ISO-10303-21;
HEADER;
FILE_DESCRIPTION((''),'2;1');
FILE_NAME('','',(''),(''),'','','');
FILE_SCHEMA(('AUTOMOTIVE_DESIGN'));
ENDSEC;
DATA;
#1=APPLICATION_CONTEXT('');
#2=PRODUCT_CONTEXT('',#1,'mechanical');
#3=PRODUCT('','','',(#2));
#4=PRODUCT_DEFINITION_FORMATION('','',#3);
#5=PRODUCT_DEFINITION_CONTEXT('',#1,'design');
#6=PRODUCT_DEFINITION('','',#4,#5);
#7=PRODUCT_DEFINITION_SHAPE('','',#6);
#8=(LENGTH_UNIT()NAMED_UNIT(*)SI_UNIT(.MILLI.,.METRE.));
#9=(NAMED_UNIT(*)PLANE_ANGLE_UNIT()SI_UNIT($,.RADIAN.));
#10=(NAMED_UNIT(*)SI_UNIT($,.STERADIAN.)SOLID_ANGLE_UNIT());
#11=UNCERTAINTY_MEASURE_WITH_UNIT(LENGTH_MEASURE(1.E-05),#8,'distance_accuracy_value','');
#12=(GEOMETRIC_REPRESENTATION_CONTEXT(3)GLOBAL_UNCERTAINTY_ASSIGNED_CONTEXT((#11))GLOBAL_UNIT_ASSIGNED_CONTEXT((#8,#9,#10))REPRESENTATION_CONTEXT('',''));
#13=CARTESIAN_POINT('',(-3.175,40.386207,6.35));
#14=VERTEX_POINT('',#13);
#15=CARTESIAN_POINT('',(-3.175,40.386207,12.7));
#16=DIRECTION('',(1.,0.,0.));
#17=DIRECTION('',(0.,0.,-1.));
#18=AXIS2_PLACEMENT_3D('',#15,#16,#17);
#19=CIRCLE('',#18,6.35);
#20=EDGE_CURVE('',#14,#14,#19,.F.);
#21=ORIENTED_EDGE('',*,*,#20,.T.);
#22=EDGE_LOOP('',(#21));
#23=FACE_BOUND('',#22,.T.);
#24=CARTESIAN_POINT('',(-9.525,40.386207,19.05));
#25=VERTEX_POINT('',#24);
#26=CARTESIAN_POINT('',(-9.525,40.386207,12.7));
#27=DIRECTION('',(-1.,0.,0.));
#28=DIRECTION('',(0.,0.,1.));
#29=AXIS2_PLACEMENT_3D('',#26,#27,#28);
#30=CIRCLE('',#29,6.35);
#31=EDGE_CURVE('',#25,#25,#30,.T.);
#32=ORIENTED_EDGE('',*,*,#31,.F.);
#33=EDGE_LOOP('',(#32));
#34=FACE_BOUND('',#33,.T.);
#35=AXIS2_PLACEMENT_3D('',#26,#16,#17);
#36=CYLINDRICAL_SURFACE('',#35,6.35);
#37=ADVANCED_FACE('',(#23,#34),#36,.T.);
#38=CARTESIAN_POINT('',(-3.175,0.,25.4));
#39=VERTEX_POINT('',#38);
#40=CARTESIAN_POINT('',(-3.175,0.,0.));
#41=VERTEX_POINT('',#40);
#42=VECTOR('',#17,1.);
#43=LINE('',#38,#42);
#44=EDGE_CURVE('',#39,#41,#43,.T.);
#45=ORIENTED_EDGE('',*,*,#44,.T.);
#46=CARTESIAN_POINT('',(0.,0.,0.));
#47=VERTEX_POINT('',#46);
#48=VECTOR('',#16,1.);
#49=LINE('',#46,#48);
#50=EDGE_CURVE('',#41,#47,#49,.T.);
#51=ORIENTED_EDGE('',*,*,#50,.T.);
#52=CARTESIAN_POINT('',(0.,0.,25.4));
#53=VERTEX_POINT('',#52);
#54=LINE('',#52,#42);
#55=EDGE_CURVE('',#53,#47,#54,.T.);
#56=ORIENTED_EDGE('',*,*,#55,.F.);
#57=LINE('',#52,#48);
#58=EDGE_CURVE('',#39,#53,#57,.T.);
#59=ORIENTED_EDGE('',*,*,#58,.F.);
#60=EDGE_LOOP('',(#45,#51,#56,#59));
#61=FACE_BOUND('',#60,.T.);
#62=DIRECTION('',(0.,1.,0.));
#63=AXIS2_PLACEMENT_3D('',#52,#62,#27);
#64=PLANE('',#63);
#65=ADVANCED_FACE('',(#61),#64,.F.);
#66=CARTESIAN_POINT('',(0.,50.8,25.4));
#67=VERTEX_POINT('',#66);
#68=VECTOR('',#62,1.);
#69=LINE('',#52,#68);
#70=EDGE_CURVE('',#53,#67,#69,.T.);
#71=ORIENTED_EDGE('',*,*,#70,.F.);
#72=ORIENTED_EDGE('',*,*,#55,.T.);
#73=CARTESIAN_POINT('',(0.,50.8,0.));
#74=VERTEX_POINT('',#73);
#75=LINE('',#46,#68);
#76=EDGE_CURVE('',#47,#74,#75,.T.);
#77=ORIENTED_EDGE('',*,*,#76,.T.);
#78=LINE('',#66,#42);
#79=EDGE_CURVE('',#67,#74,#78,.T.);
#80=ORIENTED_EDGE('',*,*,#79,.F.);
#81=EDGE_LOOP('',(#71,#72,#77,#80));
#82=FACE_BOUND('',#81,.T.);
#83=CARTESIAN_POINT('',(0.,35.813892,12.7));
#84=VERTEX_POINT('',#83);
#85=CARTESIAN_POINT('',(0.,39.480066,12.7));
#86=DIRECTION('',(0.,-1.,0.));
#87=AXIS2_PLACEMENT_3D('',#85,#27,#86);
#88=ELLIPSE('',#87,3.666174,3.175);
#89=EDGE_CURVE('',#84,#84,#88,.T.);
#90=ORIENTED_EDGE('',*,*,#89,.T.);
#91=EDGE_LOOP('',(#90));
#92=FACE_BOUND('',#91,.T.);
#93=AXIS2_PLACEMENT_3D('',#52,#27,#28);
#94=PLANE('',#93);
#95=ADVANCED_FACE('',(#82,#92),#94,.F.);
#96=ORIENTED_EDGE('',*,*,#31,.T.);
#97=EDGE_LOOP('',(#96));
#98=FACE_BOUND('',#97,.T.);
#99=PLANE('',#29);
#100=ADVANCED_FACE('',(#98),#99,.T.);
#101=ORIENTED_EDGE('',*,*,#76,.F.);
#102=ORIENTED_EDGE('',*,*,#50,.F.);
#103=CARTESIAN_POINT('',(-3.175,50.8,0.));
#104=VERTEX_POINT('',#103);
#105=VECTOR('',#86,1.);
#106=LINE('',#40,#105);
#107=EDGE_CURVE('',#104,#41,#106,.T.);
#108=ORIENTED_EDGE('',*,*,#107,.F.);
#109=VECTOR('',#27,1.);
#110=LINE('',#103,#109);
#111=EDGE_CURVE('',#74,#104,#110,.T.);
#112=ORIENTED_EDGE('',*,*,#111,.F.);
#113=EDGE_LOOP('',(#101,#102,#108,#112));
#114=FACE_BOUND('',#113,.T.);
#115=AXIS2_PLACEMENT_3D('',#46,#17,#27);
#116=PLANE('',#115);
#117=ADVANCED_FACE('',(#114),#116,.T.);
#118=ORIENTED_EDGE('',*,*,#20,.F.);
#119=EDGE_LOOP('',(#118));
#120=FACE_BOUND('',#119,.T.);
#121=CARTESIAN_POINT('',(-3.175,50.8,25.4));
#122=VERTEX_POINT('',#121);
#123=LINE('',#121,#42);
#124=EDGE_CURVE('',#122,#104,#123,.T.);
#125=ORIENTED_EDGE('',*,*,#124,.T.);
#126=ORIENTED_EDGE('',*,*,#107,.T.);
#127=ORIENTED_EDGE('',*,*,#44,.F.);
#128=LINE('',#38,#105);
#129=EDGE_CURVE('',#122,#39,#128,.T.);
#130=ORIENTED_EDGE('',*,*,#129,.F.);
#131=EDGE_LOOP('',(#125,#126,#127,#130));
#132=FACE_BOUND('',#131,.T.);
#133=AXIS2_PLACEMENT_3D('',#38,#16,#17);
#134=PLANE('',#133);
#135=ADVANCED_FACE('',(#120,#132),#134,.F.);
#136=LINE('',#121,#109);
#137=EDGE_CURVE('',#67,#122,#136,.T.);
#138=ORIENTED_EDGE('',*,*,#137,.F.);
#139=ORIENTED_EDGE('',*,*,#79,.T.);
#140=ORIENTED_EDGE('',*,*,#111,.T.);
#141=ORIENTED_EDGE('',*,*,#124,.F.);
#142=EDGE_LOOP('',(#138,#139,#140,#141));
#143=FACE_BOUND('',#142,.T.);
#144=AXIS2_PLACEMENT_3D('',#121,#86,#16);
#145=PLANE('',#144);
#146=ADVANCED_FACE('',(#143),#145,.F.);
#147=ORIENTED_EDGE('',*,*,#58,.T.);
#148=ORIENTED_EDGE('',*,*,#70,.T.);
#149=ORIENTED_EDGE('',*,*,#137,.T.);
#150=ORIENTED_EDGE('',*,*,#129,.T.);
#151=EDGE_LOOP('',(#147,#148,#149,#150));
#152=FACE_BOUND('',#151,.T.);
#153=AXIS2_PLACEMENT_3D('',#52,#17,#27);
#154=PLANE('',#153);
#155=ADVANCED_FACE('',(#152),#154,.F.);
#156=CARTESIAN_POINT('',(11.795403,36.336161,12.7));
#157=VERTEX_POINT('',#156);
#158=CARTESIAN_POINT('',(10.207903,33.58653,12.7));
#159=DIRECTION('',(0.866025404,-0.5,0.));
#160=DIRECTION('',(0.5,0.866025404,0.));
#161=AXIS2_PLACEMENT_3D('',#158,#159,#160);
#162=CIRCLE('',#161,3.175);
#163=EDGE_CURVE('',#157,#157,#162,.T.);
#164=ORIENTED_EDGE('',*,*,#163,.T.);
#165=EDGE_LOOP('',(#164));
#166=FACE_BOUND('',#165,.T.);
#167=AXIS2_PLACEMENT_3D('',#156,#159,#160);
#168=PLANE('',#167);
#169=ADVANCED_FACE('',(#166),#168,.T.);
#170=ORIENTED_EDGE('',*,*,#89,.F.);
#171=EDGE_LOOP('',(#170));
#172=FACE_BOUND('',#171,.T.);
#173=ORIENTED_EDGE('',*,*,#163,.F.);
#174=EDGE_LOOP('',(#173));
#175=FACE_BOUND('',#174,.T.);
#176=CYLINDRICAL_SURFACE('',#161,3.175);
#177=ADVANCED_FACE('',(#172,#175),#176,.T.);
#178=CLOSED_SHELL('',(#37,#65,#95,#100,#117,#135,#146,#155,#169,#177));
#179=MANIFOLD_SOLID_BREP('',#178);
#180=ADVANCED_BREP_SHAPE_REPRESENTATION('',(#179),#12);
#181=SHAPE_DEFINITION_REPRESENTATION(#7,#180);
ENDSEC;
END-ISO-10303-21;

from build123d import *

# Parameters (mm, degrees)
SKETCH1_W           = 3.175
SKETCH1_H           = 50.8
BOSS_EXTRUDE1_DEPTH = 25.4
SKETCH2_R           = 6.35
BOSS_EXTRUDE2_DEPTH = 6.35


with BuildPart() as part:
    # Sketch1 → Boss-Extrude1 (new body)
    with BuildSketch(Plane.XY):
        with Locations((-1.5875, 25.4)):
            Rectangle(SKETCH1_W, SKETCH1_H)
    extrude(amount=BOSS_EXTRUDE1_DEPTH)

    # Sketch2 → Boss-Extrude2 (add)
    with BuildSketch(Plane.ZY.offset(3.175)):
        with Locations(Location((12.7, 40.386207141, 0), (0, 0, 180))):
            Circle(SKETCH2_R)
    extrude(amount=BOSS_EXTRUDE2_DEPTH)

    # Sketch5 → Revolve2 (revolve)
    with BuildSketch(Plane.XY.offset(12.7)):
        Polygon((0, 43.146240345), (11.795403193, 36.336161137), (10.207903193, 33.586530479), (0, 39.480066136), align=None)
    revolve(axis=Axis((10.207903193, 33.586530479, 12.7), (-0.8660254037844417, 0.4999999999999948, 0)))


solid = part.part
